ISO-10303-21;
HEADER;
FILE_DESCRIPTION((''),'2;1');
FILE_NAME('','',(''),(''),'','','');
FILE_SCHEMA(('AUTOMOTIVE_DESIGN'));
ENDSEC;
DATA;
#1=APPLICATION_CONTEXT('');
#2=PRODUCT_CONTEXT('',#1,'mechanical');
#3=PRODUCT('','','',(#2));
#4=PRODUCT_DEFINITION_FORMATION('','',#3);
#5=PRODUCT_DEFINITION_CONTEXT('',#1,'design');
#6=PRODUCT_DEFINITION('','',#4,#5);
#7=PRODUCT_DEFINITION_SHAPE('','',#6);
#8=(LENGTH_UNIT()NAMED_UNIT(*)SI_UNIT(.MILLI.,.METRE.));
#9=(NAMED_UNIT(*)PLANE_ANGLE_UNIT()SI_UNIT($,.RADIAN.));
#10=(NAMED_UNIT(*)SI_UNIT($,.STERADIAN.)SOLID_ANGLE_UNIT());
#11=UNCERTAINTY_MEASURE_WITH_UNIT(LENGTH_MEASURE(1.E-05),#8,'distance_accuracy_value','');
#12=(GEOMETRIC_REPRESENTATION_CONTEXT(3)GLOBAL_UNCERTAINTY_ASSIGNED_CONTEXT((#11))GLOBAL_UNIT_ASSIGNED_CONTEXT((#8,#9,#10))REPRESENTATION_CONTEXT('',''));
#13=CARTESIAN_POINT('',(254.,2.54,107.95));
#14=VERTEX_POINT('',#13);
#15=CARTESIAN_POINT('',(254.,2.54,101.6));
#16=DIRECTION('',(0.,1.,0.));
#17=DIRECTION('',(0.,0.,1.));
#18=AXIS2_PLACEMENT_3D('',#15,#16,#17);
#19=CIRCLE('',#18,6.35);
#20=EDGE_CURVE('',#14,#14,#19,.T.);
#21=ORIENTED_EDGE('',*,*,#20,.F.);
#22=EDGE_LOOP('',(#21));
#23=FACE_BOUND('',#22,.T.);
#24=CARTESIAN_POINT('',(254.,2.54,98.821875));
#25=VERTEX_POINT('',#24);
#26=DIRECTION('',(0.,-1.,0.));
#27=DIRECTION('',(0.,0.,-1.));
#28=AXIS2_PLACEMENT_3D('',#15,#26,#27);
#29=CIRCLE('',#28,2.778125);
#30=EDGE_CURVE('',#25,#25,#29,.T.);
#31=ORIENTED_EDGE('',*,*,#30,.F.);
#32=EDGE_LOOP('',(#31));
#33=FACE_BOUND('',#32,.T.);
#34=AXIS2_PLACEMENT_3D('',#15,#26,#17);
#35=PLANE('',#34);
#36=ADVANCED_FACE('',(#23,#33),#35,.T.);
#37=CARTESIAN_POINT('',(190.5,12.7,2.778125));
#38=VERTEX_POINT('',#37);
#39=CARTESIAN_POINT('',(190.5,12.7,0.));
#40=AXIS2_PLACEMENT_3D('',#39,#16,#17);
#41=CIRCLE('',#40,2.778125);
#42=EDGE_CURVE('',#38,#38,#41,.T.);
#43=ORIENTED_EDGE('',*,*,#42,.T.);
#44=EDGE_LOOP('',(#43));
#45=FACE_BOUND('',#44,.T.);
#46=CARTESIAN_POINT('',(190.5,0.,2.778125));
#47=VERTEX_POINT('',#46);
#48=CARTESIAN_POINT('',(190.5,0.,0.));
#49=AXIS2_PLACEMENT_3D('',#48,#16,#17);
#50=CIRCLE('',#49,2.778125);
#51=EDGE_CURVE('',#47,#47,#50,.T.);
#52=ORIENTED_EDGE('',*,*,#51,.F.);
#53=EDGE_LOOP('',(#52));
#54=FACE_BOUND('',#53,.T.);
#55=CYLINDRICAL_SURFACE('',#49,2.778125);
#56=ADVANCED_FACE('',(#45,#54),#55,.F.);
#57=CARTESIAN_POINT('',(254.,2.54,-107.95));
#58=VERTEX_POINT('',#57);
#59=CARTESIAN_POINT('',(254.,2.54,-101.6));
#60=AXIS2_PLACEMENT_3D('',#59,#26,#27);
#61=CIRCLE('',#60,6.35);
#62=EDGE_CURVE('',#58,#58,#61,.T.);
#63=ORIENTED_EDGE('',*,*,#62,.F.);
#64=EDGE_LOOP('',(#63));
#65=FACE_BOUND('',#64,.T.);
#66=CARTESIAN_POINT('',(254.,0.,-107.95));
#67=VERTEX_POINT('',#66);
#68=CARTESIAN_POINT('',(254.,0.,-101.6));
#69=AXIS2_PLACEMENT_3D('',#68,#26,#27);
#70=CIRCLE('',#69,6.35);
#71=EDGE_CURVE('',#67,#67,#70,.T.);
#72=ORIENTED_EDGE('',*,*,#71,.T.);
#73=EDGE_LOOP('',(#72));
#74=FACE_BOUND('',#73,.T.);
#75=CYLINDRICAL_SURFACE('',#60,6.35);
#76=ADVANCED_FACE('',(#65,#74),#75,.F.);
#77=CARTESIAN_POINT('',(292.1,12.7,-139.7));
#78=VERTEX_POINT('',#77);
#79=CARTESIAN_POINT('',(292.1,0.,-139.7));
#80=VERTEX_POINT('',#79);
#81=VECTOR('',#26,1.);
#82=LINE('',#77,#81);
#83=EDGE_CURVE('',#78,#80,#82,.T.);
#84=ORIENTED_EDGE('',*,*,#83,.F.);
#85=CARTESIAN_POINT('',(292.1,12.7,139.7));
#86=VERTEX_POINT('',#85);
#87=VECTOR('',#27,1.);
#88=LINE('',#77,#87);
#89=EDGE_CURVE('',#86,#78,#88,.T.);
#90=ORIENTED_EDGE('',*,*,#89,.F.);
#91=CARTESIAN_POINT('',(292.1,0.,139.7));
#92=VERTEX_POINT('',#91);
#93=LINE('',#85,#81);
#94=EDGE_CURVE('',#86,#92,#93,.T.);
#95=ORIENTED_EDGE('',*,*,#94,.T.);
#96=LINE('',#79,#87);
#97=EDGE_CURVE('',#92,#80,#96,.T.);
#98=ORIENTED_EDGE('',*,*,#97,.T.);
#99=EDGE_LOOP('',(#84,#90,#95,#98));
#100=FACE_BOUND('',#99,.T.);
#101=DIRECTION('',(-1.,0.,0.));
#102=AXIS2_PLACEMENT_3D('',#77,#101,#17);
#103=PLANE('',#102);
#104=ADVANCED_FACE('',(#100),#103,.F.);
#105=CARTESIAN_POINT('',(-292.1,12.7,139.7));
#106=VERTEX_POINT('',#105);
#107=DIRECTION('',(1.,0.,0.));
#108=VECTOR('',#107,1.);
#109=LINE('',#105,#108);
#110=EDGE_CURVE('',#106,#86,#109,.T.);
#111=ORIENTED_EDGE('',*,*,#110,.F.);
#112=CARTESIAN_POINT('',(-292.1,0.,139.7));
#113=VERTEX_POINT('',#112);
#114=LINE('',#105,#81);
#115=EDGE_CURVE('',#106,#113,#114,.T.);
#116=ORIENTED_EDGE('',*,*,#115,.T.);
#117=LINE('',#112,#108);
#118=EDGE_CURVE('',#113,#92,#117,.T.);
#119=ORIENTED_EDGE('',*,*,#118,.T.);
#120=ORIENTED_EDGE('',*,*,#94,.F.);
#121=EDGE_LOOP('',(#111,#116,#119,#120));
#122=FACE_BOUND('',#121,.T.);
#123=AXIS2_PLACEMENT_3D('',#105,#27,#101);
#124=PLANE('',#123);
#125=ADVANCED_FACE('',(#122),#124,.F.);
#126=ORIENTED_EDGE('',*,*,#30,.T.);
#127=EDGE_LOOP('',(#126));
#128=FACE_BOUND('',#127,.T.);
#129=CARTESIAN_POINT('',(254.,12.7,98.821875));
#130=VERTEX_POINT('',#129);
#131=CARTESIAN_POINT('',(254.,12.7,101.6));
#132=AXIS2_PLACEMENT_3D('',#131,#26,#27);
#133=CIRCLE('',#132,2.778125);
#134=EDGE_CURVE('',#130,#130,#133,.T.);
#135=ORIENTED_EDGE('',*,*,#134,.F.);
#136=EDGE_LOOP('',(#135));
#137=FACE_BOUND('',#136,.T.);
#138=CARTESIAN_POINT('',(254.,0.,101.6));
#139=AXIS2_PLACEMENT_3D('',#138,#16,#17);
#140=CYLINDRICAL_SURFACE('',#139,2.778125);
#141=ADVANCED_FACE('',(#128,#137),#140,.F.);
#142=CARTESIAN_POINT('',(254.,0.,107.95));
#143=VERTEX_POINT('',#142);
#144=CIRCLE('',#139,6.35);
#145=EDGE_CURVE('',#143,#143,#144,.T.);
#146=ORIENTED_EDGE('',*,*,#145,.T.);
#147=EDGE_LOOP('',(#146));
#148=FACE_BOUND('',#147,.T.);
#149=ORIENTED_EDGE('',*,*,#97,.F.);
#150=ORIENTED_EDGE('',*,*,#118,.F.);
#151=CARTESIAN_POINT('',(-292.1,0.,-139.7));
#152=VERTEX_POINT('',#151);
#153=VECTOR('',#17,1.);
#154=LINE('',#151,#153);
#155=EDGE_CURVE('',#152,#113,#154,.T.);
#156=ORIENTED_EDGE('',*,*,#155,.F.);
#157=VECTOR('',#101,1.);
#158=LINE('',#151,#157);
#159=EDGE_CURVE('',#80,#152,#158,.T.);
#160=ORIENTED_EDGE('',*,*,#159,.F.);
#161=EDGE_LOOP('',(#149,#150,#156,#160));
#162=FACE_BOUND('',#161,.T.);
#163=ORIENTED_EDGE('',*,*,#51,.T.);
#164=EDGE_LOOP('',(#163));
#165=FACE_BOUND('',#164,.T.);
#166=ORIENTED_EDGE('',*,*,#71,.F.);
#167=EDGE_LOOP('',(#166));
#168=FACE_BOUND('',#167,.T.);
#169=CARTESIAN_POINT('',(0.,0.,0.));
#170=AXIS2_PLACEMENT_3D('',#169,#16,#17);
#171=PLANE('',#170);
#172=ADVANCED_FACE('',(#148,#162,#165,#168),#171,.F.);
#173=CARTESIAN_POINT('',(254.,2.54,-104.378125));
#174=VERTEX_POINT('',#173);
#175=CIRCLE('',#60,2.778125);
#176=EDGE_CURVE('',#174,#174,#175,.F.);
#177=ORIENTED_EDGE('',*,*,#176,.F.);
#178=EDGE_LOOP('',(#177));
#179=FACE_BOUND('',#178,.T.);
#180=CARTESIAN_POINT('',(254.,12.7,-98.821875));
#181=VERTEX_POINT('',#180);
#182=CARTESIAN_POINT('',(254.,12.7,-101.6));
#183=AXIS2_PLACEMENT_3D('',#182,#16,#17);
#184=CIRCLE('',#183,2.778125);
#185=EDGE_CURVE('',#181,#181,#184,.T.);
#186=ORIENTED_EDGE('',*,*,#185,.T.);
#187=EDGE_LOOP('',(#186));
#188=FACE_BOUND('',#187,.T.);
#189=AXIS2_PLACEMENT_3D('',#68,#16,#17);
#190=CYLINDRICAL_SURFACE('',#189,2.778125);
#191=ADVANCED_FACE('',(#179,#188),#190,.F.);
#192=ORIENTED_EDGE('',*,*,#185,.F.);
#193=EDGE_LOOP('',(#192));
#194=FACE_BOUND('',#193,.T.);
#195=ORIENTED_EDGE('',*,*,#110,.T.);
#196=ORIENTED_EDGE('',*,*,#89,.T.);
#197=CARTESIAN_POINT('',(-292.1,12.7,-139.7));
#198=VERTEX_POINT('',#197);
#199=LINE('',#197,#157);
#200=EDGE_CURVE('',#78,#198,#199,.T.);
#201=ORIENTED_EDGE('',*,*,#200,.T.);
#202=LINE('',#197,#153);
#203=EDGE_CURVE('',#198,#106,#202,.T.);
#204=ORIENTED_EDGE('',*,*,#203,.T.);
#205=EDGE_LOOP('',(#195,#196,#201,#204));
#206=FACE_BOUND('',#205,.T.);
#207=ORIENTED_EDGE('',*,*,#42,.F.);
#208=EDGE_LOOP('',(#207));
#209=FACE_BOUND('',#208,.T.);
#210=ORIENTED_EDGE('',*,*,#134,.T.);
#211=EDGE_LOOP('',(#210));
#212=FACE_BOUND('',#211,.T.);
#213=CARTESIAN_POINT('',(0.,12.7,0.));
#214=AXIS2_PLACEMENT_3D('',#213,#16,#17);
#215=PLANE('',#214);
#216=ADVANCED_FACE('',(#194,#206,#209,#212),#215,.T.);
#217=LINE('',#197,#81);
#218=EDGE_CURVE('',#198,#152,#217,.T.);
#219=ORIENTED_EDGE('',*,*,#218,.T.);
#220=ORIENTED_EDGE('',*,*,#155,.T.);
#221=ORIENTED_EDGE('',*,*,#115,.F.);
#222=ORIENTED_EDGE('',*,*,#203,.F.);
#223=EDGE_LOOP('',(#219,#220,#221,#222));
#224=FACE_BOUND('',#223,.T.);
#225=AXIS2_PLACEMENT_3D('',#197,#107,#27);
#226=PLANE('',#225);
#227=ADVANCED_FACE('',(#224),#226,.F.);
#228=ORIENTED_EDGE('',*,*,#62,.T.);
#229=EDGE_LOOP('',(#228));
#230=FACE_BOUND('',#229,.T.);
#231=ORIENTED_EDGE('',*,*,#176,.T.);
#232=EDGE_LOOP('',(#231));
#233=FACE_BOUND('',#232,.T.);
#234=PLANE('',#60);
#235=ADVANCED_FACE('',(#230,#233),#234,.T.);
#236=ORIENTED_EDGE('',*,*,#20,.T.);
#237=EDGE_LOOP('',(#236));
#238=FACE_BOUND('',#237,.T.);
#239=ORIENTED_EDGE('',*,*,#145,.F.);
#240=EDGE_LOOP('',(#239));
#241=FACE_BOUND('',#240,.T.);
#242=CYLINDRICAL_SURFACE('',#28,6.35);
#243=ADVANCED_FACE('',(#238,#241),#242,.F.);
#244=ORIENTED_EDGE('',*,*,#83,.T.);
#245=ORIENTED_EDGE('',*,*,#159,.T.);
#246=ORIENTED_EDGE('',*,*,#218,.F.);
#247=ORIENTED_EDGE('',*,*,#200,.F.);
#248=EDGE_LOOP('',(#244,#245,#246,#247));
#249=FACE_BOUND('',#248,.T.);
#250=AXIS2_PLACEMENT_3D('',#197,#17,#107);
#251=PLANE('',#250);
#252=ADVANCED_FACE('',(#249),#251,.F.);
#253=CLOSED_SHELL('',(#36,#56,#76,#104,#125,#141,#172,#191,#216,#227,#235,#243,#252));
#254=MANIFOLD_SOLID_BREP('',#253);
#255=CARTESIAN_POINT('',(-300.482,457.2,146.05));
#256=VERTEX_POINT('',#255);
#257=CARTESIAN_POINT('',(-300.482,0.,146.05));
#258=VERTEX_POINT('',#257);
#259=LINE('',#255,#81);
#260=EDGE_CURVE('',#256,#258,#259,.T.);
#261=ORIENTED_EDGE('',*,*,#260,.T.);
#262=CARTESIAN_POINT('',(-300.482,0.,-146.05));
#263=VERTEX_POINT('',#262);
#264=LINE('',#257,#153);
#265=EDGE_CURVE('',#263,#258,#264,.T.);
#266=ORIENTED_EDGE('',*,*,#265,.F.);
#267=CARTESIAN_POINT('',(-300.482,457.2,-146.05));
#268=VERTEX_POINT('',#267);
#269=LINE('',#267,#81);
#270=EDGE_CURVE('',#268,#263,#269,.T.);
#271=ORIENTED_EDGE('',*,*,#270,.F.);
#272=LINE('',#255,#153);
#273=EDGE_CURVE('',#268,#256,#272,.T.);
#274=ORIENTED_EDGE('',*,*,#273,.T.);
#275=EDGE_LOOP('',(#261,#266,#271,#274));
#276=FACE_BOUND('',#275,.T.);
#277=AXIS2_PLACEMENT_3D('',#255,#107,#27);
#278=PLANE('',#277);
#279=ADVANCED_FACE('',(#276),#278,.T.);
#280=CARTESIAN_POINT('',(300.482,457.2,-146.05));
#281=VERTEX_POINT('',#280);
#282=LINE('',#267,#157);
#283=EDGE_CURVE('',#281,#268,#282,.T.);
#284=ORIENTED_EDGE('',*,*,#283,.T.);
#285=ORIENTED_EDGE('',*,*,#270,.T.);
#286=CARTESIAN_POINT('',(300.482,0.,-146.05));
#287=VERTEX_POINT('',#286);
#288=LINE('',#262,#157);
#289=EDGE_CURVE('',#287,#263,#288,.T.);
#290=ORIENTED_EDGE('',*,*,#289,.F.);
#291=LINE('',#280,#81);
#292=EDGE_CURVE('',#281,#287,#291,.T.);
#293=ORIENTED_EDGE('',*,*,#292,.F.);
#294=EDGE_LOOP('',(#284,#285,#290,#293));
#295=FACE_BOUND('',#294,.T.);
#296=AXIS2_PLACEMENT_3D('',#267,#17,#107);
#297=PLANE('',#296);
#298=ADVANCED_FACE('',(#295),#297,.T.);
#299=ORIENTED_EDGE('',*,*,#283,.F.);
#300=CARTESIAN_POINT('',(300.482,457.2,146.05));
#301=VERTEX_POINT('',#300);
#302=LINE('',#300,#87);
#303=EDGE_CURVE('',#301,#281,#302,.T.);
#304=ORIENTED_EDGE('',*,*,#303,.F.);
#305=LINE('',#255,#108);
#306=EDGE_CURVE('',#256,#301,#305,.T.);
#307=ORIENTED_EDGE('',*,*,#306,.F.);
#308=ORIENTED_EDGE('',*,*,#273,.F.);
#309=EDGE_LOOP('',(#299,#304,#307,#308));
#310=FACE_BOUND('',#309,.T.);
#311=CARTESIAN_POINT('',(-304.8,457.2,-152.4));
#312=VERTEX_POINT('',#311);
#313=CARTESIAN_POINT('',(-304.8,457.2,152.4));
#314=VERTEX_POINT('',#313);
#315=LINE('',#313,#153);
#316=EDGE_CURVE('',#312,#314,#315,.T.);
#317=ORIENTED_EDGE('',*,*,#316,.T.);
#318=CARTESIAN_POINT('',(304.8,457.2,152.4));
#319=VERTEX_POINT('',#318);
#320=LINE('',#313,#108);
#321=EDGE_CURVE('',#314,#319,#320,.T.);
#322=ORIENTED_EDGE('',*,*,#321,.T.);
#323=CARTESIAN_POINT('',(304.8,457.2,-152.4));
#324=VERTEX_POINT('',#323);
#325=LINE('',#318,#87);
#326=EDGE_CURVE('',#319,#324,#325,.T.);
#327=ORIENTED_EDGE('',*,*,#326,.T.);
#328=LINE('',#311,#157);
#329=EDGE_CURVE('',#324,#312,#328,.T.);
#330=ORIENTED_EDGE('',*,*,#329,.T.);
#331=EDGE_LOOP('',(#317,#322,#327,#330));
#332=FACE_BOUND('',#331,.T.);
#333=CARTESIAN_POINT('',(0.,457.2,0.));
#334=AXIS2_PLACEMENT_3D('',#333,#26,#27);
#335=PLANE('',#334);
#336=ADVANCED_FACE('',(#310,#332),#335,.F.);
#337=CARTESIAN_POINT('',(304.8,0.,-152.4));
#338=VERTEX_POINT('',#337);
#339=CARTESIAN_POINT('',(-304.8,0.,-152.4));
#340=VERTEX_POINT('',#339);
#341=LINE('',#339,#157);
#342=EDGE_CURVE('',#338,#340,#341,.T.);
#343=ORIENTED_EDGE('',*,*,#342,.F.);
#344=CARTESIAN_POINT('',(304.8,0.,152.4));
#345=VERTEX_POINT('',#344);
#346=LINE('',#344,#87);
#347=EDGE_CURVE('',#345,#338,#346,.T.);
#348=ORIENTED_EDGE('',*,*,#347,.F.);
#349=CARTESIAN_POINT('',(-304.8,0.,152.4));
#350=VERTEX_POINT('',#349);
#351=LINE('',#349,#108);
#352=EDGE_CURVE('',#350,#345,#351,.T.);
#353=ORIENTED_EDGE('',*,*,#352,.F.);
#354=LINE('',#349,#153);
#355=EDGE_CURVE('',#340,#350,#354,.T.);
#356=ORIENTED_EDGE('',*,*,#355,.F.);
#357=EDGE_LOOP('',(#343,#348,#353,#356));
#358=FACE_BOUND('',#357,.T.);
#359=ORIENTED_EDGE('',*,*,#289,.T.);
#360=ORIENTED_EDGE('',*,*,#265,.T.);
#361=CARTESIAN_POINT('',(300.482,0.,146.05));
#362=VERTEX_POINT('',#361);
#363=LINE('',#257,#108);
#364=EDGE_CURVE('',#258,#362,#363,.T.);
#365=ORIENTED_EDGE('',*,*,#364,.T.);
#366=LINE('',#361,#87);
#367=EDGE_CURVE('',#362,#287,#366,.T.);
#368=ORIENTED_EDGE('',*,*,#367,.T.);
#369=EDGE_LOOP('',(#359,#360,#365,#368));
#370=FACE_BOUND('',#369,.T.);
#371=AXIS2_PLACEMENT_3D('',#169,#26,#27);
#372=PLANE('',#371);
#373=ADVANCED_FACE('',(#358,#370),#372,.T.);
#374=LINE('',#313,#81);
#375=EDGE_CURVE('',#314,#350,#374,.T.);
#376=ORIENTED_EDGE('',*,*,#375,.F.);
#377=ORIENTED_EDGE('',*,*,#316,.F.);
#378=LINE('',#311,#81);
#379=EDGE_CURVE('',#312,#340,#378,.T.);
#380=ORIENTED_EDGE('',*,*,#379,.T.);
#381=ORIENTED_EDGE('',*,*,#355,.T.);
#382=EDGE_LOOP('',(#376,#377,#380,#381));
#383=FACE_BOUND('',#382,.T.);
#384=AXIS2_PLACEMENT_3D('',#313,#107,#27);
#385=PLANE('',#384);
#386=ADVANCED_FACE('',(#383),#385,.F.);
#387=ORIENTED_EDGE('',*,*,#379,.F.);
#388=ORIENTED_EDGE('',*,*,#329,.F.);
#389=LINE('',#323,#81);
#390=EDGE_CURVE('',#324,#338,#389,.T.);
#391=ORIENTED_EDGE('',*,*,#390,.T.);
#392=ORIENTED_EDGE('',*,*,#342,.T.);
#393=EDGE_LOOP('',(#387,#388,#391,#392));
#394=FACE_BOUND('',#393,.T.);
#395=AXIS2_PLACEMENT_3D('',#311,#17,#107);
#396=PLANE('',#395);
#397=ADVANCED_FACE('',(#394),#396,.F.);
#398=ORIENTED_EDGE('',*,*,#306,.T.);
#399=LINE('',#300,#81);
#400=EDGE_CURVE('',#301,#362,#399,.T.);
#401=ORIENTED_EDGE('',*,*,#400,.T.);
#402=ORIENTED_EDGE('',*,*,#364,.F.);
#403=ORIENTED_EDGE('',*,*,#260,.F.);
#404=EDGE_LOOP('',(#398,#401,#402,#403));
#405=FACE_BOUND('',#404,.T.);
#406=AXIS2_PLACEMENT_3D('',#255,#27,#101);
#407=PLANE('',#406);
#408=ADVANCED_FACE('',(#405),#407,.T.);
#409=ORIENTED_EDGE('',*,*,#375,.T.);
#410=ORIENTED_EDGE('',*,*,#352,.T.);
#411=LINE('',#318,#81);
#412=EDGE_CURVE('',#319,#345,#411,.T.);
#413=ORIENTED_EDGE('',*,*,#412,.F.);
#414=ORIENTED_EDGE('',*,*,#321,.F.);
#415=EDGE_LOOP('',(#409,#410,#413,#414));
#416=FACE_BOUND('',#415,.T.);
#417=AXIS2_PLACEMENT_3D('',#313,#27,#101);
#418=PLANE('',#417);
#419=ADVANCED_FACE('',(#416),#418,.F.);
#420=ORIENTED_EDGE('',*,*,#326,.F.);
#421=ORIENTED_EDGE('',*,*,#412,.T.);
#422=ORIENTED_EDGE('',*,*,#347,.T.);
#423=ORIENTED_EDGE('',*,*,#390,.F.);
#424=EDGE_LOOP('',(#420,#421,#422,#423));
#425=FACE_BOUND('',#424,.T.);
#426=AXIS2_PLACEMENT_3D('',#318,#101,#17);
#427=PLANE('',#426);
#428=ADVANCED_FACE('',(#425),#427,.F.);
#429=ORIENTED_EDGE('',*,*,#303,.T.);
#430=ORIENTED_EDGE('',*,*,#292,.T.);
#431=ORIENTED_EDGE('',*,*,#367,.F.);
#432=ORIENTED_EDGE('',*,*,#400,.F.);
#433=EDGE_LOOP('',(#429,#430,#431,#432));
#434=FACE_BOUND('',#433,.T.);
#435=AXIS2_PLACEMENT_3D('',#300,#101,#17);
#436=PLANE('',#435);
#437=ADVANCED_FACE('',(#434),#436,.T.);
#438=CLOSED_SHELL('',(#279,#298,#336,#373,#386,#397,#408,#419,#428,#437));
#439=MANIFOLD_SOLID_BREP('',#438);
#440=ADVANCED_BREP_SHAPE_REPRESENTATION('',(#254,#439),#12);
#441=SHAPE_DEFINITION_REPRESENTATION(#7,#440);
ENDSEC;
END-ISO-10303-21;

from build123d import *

# Parameters (mm, degrees)
SKETCH1_W           = 584.2
SKETCH1_H           = 279.4
BOSS_EXTRUDE1_DEPTH = 12.7
SKETCH3_W           = 609.6
SKETCH3_H           = 304.8
SKETCH3_W_2         = 600.964
SKETCH3_H_2         = 292.1
BOSS_EXTRUDE3_DEPTH = 457.2
SKETCH4_R           = 2.778125
CUT_EXTRUDE1_DEPTH  = 561.097357608
SKETCH6_R           = 6.35
CUT_EXTRUDE2_DEPTH  = 2.54
SKETCH7_R           = 2.778125
CUT_EXTRUDE3_DEPTH  = 561.097357608


with BuildPart() as part:
    # Sketch1 → Boss-Extrude1 (new body)
    with BuildSketch(Plane(origin=(0, 0, 0), x_dir=(1, 0, 0), z_dir=(0, 1, 0))):
        Rectangle(SKETCH1_W, SKETCH1_H)
    extrude(amount=BOSS_EXTRUDE1_DEPTH)

    # Sketch4 → Cut-Extrude1 (cut, through all)
    with BuildSketch(Plane(origin=(0, 12.7, 0), x_dir=(1, 0, 0), z_dir=(0, 1, 0))):
        with Locations(Location((254, 101.6, 0), (0, 0, 270))):
            Circle(SKETCH4_R)
    cut_extrude1 = extrude(amount=-CUT_EXTRUDE1_DEPTH, mode=Mode.SUBTRACT)

    # Sketch6 → Cut-Extrude2 (cut)
    with BuildSketch(Plane.XZ):
        with Locations(Location((254, -101.6, 0), (0, 0, 270))):
            Circle(SKETCH6_R)
    cut_extrude2 = extrude(amount=-CUT_EXTRUDE2_DEPTH, mode=Mode.SUBTRACT)

    # Mirror1: Cut-Extrude1, Cut-Extrude2 across plane
    add(cut_extrude1.mirror(Plane.XY), mode=Mode.SUBTRACT)
    add(cut_extrude2.mirror(Plane.XY), mode=Mode.SUBTRACT)

    # Sketch7 → Cut-Extrude3 (cut, through all)
    with BuildSketch(Plane(origin=(0, 12.7, 0), x_dir=(1, 0, 0), z_dir=(0, 1, 0))):
        with Locations(Location((190.5, 0, 0), (0, 0, 270))):
            Circle(SKETCH7_R)
    extrude(amount=-CUT_EXTRUDE3_DEPTH, mode=Mode.SUBTRACT)


with BuildPart() as body_2:
    # Sketch3 → Boss-Extrude3 (new body)
    with BuildSketch(Plane(origin=(0, 0, 0), x_dir=(1, 0, 0), z_dir=(0, 1, 0))):
        Rectangle(SKETCH3_W, SKETCH3_H)
        Rectangle(SKETCH3_W_2, SKETCH3_H_2, mode=Mode.SUBTRACT)
    extrude(amount=BOSS_EXTRUDE3_DEPTH)


solid = Compound([part.part, body_2.part])
